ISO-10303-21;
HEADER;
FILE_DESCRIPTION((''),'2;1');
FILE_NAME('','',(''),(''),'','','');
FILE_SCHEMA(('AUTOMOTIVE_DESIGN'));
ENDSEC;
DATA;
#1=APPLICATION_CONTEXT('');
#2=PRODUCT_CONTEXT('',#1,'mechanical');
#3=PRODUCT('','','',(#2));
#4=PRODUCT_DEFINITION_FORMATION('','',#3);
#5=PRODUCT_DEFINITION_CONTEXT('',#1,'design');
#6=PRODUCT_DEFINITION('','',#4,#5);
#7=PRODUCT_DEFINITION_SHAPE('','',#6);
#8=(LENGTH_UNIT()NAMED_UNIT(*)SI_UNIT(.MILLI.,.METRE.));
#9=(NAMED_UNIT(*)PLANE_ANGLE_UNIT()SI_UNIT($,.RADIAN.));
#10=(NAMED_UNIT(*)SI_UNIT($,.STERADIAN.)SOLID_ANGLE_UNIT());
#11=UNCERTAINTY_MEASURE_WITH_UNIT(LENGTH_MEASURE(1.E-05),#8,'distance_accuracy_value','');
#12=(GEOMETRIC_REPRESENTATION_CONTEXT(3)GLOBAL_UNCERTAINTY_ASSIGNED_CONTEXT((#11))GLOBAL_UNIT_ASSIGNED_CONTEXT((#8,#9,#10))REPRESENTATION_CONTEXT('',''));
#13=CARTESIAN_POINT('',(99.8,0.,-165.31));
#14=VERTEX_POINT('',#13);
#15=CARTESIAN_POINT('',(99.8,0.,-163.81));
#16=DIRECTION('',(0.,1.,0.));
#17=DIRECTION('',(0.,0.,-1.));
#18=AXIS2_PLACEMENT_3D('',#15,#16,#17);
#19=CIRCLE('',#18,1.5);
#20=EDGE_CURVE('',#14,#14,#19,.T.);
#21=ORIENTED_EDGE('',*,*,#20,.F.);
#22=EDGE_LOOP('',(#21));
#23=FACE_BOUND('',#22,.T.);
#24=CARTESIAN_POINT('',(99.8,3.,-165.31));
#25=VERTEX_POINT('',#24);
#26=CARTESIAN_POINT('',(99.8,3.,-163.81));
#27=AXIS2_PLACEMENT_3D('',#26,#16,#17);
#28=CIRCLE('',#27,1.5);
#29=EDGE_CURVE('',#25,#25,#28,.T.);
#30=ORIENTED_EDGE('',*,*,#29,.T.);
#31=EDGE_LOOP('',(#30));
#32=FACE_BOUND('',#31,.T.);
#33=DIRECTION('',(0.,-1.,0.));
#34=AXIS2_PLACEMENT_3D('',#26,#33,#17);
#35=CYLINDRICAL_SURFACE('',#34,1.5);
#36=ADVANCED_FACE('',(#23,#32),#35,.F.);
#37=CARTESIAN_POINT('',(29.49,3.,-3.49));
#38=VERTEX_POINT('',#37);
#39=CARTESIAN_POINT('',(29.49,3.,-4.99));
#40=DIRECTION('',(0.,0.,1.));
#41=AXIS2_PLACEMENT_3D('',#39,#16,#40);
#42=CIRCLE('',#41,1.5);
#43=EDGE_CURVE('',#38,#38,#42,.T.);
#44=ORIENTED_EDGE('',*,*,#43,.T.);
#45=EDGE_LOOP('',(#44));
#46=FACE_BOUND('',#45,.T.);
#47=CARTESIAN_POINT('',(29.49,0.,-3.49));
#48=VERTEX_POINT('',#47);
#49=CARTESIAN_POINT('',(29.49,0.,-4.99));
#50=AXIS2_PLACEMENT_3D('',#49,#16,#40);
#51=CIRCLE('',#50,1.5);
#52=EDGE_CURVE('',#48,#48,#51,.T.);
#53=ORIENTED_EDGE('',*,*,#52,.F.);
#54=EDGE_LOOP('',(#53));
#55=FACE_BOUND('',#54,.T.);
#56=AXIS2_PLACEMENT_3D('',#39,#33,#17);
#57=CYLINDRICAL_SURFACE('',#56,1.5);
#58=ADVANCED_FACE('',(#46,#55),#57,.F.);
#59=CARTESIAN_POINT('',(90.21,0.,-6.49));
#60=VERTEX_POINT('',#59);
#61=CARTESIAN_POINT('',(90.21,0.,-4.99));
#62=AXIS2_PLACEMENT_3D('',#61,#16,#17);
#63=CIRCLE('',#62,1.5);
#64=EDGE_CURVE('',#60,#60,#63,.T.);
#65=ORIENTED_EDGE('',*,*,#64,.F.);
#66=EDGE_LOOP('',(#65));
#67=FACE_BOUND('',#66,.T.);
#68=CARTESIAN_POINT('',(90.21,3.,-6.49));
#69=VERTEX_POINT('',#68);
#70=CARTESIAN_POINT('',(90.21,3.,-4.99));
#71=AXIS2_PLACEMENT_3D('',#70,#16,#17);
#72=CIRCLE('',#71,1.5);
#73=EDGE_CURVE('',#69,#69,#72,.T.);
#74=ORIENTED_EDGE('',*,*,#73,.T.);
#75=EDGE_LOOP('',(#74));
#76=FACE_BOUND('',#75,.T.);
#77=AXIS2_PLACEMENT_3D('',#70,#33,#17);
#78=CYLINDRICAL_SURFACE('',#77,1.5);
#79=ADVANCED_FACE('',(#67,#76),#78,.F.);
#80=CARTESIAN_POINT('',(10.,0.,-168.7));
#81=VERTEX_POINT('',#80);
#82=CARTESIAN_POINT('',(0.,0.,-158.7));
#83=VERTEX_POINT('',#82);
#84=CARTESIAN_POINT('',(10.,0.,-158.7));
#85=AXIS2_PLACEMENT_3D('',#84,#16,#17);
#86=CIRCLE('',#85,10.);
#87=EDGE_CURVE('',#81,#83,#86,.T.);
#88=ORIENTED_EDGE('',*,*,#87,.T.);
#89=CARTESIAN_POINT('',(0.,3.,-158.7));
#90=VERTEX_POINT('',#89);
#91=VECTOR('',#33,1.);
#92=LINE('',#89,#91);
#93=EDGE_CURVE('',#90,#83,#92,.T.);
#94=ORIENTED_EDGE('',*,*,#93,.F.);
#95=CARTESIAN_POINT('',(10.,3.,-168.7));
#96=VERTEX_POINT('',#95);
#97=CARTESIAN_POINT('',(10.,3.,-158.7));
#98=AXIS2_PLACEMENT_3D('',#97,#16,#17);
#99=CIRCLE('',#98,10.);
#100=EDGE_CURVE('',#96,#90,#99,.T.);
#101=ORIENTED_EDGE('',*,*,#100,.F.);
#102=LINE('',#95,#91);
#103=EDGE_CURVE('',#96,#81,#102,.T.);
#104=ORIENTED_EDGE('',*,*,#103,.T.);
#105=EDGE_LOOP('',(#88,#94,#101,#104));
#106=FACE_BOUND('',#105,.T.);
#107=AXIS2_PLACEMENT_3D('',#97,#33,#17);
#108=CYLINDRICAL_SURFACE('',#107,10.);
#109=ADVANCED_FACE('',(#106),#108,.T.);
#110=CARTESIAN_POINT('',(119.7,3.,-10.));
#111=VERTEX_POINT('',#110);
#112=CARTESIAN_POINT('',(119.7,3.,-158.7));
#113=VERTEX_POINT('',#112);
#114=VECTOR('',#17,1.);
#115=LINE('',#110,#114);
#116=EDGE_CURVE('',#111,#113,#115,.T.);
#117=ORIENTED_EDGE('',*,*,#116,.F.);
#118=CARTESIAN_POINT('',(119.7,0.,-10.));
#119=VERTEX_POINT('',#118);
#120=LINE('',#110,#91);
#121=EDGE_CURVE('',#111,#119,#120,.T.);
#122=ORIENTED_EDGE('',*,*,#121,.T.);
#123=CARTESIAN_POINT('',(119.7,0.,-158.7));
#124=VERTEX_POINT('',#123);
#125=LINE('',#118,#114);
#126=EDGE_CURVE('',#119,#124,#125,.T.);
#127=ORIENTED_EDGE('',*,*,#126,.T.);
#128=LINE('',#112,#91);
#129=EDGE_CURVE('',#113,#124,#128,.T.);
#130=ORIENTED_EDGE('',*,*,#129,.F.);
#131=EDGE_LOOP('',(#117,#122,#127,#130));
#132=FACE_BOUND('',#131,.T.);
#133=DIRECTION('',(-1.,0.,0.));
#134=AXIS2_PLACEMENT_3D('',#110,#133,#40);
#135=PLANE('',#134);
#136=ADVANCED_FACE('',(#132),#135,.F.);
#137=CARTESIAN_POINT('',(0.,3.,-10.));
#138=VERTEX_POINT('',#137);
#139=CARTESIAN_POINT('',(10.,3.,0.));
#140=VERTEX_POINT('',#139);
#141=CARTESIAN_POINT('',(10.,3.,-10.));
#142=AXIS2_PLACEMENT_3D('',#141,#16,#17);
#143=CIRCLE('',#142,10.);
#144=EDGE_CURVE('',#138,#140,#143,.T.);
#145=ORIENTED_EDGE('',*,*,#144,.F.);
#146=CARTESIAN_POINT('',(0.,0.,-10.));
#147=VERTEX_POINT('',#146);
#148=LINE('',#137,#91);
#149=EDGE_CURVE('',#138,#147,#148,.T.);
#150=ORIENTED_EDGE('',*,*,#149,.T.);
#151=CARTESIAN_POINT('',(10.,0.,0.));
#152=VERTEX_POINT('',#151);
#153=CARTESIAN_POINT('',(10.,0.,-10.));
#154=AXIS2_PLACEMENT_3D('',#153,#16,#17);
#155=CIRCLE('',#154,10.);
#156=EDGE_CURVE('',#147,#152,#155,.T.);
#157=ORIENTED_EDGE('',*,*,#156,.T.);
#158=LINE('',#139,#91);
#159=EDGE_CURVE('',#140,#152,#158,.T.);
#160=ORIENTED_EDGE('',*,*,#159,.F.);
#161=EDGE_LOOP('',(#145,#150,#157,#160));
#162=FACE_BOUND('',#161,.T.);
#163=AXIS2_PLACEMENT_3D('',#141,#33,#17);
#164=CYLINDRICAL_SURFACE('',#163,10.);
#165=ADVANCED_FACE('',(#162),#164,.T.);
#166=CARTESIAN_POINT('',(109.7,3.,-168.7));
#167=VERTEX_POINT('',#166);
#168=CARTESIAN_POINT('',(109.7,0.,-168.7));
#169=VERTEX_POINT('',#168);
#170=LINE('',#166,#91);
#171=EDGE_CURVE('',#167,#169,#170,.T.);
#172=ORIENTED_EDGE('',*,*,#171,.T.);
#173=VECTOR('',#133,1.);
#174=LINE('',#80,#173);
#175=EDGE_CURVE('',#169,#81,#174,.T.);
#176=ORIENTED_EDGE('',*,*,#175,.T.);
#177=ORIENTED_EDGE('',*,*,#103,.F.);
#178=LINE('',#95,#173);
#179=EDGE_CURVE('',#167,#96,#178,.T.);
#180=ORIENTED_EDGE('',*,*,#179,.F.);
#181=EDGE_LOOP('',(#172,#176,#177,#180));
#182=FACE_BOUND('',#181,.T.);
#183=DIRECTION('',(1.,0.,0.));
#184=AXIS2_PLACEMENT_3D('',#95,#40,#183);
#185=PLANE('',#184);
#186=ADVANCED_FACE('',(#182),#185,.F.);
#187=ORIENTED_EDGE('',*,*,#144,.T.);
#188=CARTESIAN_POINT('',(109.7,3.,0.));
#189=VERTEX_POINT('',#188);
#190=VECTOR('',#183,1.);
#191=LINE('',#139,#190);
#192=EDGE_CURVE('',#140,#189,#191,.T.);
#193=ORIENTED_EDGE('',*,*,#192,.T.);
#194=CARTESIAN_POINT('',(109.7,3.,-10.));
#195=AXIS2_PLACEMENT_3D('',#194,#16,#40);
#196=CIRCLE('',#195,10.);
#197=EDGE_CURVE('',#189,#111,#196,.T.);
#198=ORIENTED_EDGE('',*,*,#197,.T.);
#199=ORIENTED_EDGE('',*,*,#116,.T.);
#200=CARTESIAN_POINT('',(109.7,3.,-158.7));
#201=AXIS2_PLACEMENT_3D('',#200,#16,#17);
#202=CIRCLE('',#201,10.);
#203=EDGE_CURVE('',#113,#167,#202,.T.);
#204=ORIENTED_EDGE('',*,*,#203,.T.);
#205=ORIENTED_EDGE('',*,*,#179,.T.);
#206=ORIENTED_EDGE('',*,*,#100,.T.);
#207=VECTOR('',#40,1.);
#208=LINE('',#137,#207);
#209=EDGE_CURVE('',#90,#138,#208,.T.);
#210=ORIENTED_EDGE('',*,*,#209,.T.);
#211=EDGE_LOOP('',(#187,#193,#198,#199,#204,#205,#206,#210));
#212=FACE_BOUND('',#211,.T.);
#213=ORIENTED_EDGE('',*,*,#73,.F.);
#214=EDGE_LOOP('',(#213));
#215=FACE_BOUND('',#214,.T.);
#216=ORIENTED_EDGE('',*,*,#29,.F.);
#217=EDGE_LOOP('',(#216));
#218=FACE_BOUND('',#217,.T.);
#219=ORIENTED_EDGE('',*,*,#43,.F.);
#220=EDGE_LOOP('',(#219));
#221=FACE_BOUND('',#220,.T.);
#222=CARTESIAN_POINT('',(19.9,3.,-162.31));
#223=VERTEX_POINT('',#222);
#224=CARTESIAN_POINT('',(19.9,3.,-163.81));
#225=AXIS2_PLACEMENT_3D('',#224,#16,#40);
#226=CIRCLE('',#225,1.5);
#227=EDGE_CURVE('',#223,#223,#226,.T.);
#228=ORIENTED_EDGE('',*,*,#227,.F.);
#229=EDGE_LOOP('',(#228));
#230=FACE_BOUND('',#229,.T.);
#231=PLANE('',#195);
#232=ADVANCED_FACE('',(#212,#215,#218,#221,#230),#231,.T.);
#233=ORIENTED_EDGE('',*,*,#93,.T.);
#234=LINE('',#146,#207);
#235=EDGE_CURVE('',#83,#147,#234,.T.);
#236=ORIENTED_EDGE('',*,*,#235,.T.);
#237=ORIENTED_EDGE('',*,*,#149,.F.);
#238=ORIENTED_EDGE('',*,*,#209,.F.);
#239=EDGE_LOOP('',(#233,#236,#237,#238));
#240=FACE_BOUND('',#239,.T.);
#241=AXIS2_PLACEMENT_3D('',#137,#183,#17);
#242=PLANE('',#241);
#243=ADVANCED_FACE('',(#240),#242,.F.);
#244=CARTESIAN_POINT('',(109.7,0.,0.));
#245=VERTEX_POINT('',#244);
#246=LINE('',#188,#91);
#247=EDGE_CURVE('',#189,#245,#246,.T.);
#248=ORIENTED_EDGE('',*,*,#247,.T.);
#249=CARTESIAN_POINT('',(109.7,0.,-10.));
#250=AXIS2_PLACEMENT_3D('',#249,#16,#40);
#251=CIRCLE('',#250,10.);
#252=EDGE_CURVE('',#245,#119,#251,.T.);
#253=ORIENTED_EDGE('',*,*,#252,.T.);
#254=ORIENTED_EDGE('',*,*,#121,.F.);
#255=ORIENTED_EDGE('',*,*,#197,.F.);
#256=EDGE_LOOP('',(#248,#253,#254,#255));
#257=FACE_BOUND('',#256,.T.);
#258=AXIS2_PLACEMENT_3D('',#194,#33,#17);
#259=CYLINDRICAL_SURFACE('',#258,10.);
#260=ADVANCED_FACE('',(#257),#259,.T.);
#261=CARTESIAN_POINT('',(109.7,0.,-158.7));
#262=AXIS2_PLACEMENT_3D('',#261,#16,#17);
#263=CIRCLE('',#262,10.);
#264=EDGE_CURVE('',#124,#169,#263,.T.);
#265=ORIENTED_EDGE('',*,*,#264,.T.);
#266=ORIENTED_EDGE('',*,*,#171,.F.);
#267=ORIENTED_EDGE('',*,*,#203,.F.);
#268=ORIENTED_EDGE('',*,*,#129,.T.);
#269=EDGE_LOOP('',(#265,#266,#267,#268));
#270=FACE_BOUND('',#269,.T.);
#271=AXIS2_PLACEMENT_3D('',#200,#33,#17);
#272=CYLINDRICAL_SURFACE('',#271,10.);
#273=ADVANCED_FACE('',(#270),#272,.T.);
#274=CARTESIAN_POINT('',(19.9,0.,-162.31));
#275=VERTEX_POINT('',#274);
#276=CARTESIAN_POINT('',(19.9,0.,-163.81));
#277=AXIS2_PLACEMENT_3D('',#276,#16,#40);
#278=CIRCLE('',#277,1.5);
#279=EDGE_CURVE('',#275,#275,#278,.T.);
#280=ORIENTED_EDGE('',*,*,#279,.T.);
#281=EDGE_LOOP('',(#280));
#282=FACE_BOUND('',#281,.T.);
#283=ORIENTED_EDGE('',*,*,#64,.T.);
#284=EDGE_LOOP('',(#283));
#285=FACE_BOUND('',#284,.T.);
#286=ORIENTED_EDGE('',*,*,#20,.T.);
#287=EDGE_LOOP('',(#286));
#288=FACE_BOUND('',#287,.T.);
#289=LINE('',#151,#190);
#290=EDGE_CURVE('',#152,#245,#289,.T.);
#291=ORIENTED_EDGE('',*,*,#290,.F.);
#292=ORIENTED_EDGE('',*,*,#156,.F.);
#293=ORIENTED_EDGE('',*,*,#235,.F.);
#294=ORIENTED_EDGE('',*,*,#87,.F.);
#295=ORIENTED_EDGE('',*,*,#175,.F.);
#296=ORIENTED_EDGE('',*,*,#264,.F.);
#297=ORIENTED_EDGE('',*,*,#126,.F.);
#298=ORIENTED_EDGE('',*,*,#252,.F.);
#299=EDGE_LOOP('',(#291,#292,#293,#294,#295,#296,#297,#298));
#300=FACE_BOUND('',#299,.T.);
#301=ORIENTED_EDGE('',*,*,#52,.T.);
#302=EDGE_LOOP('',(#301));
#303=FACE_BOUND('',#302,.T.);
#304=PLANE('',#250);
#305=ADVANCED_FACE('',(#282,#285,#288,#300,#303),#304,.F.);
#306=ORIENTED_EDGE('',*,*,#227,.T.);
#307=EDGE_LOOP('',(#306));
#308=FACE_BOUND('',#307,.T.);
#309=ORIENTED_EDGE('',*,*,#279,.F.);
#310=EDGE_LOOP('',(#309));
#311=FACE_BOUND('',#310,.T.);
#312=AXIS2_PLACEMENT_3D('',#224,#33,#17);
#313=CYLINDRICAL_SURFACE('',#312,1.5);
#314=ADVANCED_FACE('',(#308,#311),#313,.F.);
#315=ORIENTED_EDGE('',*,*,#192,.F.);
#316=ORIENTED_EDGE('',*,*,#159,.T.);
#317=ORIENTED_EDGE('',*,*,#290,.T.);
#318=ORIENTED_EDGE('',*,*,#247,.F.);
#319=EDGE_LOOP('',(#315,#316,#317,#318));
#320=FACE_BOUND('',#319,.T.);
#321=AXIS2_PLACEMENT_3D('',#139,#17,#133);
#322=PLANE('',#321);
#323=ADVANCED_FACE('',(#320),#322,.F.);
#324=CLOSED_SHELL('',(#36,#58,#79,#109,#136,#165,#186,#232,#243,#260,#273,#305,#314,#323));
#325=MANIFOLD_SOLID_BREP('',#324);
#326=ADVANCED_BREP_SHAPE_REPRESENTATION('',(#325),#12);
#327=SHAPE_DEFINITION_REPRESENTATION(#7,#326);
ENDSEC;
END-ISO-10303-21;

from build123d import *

# Parameters (mm, degrees)
SKETCH1_R           = 1.5
BOSS_EXTRUDE1_DEPTH = 3


with BuildPart() as part:
    # Sketch1 → Boss-Extrude1 (new body)
    with BuildSketch(Plane(origin=(0, 0, 0), x_dir=(1, 0, 0), z_dir=(0, 1, 0))):
        with BuildLine():
            Line((10, 0), (109.7, 0))
            ThreePointArc((109.7, 0), (116.771067812, 2.928932188), (119.7, 10))
            Line((119.7, 10), (119.7, 158.7))
            ThreePointArc((119.7, 158.7), (116.771067812, 165.771067812), (109.7, 168.7))
            Line((109.7, 168.7), (10, 168.7))
            ThreePointArc((10, 168.7), (2.928932188, 165.771067812), (0, 158.7))
            Line((0, 158.7), (0, 10))
            ThreePointArc((0, 10), (2.928932188, 2.928932188), (10, 0))
        make_face()
        with Locations(Location((19.9, 163.81, 0), (0, 0, 270))):
            Circle(SKETCH1_R, mode=Mode.SUBTRACT)
        with Locations(Location((29.49, 4.99, 0), (0, 0, 270))):
            Circle(SKETCH1_R, mode=Mode.SUBTRACT)
        with Locations(Location((90.21, 4.99, 0), (0, 0, 90))):
            Circle(SKETCH1_R, mode=Mode.SUBTRACT)
        with Locations(Location((99.8, 163.81, 0), (0, 0, 90))):
            Circle(SKETCH1_R, mode=Mode.SUBTRACT)
    extrude(amount=BOSS_EXTRUDE1_DEPTH)


solid = part.part
